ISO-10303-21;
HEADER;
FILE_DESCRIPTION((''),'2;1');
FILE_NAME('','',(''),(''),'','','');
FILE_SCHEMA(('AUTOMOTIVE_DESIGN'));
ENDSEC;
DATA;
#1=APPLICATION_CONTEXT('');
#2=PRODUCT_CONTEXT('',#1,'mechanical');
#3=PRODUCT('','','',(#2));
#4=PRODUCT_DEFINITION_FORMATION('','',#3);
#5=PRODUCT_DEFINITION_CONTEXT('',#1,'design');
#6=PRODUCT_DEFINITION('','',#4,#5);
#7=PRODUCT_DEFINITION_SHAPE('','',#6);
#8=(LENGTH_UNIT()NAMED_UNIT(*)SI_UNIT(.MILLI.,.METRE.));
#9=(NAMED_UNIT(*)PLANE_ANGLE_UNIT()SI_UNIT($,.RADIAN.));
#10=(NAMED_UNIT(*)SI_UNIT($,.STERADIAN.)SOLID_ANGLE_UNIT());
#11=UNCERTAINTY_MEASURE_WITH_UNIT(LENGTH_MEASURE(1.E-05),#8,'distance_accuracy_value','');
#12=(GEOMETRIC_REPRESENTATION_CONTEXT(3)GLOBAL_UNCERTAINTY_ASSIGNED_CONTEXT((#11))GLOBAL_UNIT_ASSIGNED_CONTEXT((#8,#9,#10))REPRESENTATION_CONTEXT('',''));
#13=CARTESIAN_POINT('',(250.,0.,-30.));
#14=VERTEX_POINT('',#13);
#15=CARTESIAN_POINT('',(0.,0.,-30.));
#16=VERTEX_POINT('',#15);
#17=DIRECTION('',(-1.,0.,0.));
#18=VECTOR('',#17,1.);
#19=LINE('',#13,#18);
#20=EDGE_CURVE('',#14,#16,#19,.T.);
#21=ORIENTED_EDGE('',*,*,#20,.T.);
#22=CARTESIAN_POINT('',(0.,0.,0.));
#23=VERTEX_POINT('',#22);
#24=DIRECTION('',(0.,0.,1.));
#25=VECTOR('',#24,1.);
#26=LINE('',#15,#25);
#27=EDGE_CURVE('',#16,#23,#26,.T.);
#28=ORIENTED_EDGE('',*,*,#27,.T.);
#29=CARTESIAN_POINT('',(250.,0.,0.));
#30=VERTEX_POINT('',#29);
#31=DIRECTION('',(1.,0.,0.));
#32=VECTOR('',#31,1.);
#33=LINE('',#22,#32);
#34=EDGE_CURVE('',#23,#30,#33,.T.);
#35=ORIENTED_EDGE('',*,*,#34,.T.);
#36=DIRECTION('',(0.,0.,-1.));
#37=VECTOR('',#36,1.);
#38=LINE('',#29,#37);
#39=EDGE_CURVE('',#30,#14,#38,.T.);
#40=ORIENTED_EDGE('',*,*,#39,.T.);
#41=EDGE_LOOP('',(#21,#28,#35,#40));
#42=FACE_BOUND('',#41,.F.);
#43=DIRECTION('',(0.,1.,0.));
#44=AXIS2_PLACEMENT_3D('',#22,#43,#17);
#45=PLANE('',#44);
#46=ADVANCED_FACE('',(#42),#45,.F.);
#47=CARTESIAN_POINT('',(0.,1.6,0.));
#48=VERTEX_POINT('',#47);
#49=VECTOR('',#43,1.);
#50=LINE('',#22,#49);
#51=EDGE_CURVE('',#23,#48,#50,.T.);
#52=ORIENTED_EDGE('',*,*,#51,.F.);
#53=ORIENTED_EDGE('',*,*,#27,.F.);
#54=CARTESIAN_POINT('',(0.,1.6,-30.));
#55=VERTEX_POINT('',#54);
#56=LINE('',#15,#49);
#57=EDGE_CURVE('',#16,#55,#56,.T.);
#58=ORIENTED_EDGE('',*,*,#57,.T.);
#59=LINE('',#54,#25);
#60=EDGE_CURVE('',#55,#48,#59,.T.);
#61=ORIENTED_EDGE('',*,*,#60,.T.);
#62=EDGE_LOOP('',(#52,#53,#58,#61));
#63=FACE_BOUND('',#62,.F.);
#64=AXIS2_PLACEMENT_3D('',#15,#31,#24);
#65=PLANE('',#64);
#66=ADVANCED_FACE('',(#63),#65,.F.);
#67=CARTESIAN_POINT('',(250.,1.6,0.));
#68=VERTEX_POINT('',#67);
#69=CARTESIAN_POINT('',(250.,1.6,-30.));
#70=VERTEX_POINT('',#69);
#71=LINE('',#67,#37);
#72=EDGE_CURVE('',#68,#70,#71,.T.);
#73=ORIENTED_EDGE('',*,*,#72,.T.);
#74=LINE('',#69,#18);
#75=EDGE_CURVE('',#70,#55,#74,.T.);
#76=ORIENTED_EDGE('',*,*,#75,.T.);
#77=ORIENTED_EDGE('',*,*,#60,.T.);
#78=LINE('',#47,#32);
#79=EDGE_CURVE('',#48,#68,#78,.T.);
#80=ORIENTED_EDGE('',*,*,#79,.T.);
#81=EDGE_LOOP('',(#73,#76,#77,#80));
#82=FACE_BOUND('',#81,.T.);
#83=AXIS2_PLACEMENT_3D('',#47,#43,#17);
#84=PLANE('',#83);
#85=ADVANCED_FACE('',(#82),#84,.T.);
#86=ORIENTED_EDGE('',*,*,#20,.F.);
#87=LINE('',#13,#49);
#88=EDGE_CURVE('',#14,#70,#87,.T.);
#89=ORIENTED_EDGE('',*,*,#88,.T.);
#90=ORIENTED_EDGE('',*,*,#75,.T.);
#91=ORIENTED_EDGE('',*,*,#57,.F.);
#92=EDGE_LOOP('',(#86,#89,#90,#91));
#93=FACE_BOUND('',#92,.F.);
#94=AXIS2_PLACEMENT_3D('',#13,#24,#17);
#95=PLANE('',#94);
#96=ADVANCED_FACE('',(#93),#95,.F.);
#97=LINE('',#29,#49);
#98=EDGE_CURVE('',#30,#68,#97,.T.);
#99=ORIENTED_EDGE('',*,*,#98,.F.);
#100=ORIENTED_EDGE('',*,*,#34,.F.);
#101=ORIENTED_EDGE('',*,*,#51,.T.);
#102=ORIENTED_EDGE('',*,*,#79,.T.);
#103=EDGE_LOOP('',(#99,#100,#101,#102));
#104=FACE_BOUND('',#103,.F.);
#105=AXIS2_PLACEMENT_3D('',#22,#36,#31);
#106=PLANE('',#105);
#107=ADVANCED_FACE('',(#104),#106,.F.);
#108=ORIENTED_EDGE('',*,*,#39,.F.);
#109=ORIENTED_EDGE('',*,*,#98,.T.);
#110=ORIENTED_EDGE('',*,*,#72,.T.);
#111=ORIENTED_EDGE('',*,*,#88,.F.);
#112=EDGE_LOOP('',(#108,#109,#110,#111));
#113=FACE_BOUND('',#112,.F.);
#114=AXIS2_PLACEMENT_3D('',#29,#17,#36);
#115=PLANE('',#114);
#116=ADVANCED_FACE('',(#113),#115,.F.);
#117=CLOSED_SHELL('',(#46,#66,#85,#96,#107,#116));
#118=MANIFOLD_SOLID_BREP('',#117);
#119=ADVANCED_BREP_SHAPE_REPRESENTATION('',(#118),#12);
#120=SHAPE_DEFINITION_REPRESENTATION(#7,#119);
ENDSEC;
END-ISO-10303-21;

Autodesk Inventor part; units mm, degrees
ref_plane "YZ Plane" through (0, 0, 0) normal (1, 0, 0) x (0, 1, 0)
ref_plane "XZ Plane" through (0, 0, 0) normal (0, 1, 0) x (-1, 0, 0)
ref_plane "XY Plane" through (0, 0, 0) normal (0, 0, 1) x (1, 0, 0)
sketch "Sketch1" plane through (0, 0, 0) normal (0, 1, 0) x (-1, 0, 0)
  line L0 (0, 0) -> (-250, 0)
  line L1 (-250, 0) -> (-250, -30)
  line L2 (-250, -30) -> (0, -30)
  line L3 (0, -30) -> (0, 0)
  dimension "d0" = 250
  dimension "d1" = 30
extrude "Extrusion1" add sketch "Sketch1" along normal blind 1.6
properties part number "Little Hinge" material "Steel"
